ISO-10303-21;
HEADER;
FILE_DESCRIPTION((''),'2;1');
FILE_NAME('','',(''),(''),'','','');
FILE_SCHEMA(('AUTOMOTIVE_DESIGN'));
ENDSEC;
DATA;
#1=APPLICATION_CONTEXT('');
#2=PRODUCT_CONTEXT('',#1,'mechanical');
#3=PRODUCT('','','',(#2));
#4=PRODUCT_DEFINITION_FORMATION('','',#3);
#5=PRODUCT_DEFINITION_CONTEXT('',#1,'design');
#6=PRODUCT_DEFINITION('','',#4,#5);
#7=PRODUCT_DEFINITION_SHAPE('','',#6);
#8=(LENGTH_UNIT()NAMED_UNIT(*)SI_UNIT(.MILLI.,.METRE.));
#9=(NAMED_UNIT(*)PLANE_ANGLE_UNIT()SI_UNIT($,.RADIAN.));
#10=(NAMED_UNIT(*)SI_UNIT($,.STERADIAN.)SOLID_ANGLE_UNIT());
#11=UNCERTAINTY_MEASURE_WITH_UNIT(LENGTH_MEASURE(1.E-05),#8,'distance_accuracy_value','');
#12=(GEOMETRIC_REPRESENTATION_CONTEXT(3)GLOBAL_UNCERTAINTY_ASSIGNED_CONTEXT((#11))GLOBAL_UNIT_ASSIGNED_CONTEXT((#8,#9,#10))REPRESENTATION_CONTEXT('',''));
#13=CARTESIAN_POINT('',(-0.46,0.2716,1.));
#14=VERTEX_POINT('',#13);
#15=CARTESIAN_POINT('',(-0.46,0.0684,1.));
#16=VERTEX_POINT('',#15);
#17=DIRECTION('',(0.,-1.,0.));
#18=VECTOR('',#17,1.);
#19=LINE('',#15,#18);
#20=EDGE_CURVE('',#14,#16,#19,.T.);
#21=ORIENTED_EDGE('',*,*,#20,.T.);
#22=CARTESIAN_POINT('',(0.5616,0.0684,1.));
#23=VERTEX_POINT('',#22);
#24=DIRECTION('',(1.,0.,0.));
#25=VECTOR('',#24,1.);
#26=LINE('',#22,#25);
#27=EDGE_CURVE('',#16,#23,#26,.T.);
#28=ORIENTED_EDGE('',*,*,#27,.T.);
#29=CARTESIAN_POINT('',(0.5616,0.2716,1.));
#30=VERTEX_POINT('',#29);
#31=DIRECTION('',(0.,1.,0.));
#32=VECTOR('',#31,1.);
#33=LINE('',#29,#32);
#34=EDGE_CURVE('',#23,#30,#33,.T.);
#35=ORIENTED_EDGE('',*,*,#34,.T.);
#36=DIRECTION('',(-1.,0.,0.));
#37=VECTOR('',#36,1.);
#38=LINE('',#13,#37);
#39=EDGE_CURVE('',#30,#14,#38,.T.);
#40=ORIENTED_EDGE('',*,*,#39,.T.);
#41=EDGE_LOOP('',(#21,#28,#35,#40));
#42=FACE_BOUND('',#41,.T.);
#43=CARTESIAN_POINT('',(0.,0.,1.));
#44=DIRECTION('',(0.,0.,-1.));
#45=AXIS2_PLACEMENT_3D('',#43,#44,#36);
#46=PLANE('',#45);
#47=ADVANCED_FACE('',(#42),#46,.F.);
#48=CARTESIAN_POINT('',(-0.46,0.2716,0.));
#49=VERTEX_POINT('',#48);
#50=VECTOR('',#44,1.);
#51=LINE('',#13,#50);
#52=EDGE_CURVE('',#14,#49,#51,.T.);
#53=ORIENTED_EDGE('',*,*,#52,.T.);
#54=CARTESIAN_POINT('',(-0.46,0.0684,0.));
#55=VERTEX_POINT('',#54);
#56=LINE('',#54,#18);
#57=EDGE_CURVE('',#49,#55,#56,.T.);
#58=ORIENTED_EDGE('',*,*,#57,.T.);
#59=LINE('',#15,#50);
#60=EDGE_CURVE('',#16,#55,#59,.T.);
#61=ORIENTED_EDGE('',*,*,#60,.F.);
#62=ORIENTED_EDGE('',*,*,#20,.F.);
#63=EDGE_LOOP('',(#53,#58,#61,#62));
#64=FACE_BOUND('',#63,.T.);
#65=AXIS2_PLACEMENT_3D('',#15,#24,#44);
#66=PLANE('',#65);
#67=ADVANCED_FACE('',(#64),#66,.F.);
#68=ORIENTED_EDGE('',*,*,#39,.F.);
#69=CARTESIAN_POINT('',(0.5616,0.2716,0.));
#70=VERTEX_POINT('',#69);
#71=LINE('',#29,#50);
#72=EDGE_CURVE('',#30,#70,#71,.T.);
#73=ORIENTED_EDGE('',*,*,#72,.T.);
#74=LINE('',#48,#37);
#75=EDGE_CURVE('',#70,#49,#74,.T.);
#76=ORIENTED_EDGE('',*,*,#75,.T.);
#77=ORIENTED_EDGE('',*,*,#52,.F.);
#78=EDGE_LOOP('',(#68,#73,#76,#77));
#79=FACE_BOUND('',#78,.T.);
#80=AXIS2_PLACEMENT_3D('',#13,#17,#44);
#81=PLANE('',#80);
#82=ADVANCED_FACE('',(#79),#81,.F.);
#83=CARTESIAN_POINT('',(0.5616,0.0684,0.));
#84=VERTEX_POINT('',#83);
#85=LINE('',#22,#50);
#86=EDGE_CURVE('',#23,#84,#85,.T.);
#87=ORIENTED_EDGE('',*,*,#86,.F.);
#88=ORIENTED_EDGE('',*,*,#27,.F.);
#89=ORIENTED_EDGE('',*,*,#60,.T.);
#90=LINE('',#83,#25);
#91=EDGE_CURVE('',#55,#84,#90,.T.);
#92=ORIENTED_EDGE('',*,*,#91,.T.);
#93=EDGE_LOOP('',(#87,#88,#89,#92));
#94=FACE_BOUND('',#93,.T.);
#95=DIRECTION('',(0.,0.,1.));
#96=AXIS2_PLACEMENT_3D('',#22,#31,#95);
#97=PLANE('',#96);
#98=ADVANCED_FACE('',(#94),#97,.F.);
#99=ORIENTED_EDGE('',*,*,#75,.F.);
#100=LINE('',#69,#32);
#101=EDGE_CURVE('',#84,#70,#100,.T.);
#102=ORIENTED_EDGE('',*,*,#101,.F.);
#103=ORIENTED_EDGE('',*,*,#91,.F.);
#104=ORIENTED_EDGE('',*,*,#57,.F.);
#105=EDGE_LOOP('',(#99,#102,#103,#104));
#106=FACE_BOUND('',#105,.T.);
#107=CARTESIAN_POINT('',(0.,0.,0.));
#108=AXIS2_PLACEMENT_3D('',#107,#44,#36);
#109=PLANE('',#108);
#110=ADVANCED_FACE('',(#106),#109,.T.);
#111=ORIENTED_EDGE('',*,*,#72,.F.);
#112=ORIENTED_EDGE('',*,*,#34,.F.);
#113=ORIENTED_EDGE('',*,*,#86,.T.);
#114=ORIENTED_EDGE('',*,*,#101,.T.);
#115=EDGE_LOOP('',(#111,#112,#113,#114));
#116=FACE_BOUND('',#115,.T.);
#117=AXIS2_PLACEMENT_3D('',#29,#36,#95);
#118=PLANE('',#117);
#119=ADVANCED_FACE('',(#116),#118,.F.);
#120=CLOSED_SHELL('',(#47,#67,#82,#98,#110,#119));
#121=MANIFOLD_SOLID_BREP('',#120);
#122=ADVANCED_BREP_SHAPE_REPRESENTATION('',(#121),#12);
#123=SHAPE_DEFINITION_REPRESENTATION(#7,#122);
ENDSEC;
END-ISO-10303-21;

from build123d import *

# Parameters (mm, degrees)
SKETCH1_W               = 1.0216
SKETCH1_H               = 0.2032
COMPONENT_OUTLINE_DEPTH = 1


with BuildPart() as part:
    # Sketch1 → Component_Outline (new body)
    with BuildSketch(Plane.XY):
        with Locations((0.0508, 0.17)):
            Rectangle(SKETCH1_W, SKETCH1_H)
    extrude(amount=COMPONENT_OUTLINE_DEPTH)


solid = part.part
